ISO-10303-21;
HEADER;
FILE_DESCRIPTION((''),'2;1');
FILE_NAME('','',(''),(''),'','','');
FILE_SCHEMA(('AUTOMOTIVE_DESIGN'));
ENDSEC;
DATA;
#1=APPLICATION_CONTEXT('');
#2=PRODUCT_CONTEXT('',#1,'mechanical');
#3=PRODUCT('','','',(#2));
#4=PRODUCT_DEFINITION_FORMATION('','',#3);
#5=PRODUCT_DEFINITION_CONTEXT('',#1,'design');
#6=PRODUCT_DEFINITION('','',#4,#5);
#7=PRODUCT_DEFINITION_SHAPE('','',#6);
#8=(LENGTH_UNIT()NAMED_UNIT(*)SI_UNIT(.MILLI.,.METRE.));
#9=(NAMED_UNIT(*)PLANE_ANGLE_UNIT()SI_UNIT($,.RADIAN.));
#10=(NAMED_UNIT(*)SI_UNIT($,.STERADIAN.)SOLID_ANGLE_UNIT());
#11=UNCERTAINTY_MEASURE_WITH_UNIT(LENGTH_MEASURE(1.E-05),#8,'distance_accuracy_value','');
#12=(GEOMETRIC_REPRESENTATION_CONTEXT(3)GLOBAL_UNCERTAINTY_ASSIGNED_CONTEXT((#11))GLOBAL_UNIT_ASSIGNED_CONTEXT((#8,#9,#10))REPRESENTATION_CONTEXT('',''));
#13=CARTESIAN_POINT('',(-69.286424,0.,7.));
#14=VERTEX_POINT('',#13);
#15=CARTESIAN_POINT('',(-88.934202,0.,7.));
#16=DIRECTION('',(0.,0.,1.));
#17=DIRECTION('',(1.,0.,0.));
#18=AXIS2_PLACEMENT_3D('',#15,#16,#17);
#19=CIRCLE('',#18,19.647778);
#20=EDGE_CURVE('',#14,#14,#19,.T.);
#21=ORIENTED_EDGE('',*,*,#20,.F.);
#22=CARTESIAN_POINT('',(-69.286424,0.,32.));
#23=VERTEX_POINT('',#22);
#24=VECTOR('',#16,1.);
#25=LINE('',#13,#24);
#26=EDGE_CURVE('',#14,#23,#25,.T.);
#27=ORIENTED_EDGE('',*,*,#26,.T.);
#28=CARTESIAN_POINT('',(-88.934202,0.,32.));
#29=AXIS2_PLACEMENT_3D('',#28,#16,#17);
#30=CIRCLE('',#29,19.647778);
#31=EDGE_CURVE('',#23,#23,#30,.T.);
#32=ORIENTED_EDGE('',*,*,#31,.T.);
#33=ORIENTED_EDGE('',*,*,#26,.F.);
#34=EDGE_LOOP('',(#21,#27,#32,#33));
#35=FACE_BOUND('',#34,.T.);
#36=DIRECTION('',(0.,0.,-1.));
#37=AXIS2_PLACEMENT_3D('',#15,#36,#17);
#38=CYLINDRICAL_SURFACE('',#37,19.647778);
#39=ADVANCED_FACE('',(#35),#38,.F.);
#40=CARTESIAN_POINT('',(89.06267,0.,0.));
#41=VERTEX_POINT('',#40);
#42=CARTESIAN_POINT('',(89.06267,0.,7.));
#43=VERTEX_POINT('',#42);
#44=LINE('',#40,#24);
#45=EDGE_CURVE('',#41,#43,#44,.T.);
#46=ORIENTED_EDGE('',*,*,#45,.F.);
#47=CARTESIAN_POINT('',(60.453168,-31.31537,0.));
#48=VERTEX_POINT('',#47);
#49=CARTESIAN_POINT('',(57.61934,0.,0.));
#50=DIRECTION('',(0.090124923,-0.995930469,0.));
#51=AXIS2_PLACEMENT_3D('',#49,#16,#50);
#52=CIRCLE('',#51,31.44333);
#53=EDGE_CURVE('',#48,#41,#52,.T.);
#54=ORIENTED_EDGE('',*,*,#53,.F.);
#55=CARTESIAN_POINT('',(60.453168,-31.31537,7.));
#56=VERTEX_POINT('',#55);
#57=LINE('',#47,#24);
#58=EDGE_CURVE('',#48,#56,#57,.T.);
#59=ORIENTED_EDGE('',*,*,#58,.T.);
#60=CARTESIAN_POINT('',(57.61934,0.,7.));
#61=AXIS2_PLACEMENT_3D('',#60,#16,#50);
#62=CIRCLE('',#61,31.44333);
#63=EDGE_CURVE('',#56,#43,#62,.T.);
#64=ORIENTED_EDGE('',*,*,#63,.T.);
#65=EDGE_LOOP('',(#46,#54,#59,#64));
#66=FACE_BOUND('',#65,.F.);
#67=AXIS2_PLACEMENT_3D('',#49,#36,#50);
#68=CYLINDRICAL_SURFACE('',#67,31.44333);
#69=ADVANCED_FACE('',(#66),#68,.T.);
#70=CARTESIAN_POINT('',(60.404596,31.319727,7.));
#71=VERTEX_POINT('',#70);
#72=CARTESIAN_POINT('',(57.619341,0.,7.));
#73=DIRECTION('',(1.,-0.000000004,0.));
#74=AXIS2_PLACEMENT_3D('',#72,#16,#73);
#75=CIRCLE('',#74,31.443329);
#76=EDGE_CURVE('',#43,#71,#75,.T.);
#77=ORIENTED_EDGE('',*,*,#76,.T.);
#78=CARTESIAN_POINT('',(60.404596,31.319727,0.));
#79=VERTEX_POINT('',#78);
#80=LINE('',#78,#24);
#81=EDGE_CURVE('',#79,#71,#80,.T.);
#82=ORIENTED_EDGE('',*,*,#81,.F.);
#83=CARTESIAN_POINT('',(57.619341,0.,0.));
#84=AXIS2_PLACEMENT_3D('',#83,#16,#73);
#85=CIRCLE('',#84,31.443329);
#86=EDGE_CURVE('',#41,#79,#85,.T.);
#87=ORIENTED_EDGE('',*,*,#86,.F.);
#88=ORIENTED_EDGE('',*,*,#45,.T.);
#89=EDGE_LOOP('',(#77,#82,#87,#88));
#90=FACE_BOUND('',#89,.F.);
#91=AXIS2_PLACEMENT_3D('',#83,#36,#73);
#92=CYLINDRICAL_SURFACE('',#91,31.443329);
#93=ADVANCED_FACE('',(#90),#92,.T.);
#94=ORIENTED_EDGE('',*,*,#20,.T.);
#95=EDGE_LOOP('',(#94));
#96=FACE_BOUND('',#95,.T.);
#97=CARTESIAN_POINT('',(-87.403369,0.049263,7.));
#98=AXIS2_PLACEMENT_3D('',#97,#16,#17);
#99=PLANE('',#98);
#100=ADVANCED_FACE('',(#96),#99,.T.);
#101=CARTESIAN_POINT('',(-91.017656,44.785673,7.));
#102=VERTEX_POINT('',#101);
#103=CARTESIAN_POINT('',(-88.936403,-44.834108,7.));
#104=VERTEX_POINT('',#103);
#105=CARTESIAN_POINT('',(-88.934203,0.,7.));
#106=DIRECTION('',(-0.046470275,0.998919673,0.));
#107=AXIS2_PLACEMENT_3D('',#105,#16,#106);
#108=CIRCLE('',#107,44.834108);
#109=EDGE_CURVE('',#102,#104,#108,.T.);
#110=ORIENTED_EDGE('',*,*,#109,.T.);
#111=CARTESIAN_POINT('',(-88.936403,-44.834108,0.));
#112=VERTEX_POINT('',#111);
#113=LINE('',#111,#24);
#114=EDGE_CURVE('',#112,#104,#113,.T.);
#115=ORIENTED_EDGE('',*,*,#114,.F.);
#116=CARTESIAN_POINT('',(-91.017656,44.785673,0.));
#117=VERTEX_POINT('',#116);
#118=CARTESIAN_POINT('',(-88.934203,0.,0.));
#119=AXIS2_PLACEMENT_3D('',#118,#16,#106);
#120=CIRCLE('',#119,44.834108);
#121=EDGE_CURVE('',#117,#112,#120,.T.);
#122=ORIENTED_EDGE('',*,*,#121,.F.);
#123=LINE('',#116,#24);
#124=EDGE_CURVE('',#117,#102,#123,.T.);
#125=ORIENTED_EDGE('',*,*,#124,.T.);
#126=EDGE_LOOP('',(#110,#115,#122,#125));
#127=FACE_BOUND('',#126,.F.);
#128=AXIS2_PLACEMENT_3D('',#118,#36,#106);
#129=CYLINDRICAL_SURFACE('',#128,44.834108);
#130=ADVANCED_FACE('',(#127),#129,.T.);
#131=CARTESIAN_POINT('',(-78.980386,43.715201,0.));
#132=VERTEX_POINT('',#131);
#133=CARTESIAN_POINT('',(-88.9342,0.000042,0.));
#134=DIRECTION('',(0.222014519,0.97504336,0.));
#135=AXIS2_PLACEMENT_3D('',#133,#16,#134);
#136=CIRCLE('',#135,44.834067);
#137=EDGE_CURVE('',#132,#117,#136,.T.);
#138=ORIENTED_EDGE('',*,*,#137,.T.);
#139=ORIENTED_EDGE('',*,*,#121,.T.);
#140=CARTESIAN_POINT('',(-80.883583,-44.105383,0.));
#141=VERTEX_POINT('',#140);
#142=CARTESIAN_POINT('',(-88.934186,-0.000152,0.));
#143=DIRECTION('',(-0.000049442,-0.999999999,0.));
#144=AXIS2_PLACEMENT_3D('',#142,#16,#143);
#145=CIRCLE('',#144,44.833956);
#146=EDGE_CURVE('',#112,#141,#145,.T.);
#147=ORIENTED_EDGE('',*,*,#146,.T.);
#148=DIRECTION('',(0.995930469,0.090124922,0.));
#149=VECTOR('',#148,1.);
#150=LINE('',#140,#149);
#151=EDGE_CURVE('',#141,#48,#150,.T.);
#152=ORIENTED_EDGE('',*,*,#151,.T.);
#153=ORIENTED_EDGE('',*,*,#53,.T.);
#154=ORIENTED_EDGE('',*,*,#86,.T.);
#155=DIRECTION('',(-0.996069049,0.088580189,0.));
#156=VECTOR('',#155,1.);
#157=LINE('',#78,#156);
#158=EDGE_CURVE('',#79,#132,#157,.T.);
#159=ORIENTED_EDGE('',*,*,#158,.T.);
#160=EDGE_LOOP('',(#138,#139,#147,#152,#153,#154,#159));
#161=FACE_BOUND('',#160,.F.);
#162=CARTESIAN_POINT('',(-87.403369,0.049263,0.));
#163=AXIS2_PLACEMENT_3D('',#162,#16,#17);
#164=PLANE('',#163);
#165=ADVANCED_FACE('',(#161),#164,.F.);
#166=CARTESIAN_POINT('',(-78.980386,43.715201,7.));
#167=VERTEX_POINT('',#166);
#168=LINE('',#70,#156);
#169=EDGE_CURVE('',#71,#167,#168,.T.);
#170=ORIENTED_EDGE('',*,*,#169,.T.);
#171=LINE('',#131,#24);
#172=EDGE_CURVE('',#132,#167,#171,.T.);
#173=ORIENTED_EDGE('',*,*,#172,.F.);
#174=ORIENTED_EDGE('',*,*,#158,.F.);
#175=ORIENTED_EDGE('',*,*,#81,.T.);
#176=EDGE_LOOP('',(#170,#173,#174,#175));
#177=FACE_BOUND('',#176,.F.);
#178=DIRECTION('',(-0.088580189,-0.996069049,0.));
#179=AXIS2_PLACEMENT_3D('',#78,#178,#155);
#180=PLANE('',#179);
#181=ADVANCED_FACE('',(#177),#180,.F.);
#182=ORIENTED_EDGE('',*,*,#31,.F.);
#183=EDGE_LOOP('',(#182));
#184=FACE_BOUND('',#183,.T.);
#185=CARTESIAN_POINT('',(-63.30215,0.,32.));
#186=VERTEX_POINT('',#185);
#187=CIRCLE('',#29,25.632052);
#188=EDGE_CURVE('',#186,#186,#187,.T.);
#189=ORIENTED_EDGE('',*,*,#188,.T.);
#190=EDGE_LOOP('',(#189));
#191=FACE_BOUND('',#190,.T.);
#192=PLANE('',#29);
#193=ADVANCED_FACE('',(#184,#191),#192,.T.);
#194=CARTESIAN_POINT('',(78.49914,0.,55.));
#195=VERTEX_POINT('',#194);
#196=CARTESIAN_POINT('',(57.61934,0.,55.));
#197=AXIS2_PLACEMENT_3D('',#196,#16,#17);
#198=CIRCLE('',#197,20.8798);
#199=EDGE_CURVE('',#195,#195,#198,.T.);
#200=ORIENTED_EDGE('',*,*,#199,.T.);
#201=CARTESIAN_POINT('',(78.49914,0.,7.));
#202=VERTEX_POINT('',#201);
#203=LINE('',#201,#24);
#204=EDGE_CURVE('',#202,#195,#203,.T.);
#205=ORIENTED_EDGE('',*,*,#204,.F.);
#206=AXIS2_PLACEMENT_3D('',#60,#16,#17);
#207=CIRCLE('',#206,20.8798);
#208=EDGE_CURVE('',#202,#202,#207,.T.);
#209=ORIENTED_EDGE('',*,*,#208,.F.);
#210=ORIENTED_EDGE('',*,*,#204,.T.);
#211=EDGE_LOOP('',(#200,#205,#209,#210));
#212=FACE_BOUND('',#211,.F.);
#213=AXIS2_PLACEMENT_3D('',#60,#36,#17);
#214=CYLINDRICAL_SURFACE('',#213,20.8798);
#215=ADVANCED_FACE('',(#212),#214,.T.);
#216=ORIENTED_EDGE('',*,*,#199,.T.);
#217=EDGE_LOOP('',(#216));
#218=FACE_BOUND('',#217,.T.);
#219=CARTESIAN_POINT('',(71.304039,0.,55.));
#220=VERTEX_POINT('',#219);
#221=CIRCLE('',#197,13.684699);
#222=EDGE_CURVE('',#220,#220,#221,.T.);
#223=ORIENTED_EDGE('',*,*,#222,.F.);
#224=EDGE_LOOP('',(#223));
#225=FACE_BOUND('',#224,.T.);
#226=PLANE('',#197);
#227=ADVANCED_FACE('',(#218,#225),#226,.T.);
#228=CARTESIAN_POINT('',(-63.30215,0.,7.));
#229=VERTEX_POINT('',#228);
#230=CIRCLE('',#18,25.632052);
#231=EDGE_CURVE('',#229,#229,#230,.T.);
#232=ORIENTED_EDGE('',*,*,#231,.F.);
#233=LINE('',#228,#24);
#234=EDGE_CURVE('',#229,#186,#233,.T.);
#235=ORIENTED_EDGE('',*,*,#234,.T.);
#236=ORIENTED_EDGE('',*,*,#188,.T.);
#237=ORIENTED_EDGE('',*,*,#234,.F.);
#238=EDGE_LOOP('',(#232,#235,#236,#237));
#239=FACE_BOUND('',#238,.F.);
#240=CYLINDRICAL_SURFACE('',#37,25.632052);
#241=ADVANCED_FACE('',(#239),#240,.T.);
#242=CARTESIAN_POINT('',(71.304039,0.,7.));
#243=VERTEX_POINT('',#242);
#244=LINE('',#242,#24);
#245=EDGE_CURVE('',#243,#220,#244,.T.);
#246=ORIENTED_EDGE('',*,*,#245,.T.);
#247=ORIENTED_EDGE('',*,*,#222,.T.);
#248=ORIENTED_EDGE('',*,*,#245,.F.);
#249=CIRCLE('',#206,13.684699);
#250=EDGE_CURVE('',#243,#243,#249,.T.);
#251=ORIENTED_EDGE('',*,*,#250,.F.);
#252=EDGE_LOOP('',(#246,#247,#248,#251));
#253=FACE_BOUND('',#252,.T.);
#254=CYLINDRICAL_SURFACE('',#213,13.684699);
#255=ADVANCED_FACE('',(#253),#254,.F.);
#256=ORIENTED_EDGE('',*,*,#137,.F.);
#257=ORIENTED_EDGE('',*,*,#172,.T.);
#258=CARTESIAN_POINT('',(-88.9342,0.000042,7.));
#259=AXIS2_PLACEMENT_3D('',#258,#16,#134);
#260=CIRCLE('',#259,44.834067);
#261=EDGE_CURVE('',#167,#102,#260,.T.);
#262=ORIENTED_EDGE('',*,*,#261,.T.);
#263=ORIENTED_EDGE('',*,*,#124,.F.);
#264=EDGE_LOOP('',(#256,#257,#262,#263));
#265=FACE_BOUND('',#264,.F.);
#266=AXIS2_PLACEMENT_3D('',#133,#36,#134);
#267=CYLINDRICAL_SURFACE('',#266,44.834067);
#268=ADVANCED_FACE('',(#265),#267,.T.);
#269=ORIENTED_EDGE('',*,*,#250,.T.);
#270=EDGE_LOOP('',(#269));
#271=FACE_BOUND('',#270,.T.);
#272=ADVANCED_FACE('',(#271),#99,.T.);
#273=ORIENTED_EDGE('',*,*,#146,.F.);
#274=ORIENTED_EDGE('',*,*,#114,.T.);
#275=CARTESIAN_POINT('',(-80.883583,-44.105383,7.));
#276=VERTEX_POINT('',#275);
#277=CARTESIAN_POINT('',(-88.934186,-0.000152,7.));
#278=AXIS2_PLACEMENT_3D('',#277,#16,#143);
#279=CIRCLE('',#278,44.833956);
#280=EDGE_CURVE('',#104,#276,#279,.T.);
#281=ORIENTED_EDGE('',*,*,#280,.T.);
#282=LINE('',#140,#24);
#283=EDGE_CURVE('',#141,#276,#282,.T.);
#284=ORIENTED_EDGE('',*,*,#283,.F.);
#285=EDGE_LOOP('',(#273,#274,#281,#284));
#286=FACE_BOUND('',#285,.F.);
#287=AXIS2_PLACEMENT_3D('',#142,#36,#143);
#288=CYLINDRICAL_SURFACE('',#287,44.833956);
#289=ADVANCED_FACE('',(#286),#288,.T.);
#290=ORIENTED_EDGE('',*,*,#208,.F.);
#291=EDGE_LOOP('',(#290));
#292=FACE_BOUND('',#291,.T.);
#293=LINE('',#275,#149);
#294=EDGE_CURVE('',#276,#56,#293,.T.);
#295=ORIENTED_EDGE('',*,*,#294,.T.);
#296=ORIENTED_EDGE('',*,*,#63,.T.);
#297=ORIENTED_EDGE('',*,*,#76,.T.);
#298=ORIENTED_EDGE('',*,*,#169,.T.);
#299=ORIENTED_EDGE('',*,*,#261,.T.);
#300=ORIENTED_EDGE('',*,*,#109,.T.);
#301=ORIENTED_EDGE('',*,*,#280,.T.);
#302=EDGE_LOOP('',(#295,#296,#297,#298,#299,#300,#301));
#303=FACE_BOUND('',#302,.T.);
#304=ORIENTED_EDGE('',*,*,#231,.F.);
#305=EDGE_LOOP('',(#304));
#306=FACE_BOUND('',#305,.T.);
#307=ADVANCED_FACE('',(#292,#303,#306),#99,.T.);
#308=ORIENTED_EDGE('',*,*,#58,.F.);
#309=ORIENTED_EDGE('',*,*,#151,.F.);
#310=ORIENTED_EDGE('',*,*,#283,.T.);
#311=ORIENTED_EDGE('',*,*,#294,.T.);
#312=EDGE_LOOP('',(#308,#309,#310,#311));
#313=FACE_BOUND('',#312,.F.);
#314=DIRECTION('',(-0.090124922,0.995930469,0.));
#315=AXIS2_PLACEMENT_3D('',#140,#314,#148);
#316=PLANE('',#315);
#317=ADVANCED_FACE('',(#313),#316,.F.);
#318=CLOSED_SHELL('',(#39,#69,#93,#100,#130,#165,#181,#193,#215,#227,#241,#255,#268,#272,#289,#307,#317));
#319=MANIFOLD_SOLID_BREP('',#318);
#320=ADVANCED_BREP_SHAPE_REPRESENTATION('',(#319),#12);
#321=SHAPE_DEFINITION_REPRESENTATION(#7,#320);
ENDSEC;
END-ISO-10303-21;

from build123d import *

# Parameters (mm, degrees)
F1_DEPTH = 7
F2_R     = 20.8798
F2_R_2   = 13.684699
F3_DEPTH = 48
F4_R     = 25.632052
F4_R_2   = 19.647778
F5_DEPTH = 25


with BuildPart() as f1:
    # F0 (on Top) → F1 (new body)
    with BuildSketch(Plane.XY):
        with BuildLine():
            Line((-78.980386, 43.715201), (-91.017656, 44.785673))
            ThreePointArc((-91.017656, 44.785673), (-133.756226, -1.040908), (-88.936403, -44.834108))
            Line((-88.936403, -44.834108), (-80.883583, -44.105383))
            ThreePointArc((-80.883583, -44.105383), (-54.502824, -28.715457), (-44.100093, 0))
            ThreePointArc((-44.100093, 0), (-53.888748, 27.962715), (-78.980386, 43.715201))
        make_face()
        with BuildLine():
            ThreePointArc((-78.980386, 43.715201), (-84.962788, 44.657868), (-91.017656, 44.785673))
            Line((-91.017656, 44.785673), (-78.980386, 43.715201))
        make_face()
        with BuildLine():
            Line((-80.883583, -44.105383), (-88.936403, -44.834108))
            ThreePointArc((-88.936403, -44.834108), (-84.893531, -44.651655), (-80.883583, -44.105383))
        make_face()
        with BuildLine():
            Line((60.404596, 31.319727), (-78.980386, 43.715201))
            ThreePointArc((-78.980386, 43.715201), (-53.888748, 27.962715), (-44.100093, 0))
            ThreePointArc((-44.100093, 0), (-54.502824, -28.715457), (-80.883583, -44.105383))
            Line((-80.883583, -44.105383), (60.453168, -31.31537))
            ThreePointArc((60.453168, -31.31537), (26.17602, -0.024383), (60.404596, 31.319727))
        make_face()
        with BuildLine():
            ThreePointArc((89.06267, 0), (80.816977, 21.226225), (60.404596, 31.319727))
            ThreePointArc((60.404596, 31.319727), (26.17602, -0.024383), (60.453168, -31.31537))
            ThreePointArc((60.453168, -31.31537), (80.83343, -21.20823), (89.06267, 0))
        make_face()
    extrude(amount=F1_DEPTH)

    # F2 (on face) → F3 (join)
    with BuildSketch(Plane.XY.offset(7)):
        with Locations((57.61934, 0)):
            Circle(F2_R)
        with Locations((57.61934, 0)):
            Circle(F2_R_2, mode=Mode.SUBTRACT)
    extrude(amount=F3_DEPTH)

    # F4 (on face) → F5 (join)
    with BuildSketch(Plane.XY.offset(7)):
        with Locations((-88.934202, 0)):
            Circle(F4_R)
        with Locations((-88.934202, 0)):
            Circle(F4_R_2, mode=Mode.SUBTRACT)
    extrude(amount=F5_DEPTH)


solid = f1.part
